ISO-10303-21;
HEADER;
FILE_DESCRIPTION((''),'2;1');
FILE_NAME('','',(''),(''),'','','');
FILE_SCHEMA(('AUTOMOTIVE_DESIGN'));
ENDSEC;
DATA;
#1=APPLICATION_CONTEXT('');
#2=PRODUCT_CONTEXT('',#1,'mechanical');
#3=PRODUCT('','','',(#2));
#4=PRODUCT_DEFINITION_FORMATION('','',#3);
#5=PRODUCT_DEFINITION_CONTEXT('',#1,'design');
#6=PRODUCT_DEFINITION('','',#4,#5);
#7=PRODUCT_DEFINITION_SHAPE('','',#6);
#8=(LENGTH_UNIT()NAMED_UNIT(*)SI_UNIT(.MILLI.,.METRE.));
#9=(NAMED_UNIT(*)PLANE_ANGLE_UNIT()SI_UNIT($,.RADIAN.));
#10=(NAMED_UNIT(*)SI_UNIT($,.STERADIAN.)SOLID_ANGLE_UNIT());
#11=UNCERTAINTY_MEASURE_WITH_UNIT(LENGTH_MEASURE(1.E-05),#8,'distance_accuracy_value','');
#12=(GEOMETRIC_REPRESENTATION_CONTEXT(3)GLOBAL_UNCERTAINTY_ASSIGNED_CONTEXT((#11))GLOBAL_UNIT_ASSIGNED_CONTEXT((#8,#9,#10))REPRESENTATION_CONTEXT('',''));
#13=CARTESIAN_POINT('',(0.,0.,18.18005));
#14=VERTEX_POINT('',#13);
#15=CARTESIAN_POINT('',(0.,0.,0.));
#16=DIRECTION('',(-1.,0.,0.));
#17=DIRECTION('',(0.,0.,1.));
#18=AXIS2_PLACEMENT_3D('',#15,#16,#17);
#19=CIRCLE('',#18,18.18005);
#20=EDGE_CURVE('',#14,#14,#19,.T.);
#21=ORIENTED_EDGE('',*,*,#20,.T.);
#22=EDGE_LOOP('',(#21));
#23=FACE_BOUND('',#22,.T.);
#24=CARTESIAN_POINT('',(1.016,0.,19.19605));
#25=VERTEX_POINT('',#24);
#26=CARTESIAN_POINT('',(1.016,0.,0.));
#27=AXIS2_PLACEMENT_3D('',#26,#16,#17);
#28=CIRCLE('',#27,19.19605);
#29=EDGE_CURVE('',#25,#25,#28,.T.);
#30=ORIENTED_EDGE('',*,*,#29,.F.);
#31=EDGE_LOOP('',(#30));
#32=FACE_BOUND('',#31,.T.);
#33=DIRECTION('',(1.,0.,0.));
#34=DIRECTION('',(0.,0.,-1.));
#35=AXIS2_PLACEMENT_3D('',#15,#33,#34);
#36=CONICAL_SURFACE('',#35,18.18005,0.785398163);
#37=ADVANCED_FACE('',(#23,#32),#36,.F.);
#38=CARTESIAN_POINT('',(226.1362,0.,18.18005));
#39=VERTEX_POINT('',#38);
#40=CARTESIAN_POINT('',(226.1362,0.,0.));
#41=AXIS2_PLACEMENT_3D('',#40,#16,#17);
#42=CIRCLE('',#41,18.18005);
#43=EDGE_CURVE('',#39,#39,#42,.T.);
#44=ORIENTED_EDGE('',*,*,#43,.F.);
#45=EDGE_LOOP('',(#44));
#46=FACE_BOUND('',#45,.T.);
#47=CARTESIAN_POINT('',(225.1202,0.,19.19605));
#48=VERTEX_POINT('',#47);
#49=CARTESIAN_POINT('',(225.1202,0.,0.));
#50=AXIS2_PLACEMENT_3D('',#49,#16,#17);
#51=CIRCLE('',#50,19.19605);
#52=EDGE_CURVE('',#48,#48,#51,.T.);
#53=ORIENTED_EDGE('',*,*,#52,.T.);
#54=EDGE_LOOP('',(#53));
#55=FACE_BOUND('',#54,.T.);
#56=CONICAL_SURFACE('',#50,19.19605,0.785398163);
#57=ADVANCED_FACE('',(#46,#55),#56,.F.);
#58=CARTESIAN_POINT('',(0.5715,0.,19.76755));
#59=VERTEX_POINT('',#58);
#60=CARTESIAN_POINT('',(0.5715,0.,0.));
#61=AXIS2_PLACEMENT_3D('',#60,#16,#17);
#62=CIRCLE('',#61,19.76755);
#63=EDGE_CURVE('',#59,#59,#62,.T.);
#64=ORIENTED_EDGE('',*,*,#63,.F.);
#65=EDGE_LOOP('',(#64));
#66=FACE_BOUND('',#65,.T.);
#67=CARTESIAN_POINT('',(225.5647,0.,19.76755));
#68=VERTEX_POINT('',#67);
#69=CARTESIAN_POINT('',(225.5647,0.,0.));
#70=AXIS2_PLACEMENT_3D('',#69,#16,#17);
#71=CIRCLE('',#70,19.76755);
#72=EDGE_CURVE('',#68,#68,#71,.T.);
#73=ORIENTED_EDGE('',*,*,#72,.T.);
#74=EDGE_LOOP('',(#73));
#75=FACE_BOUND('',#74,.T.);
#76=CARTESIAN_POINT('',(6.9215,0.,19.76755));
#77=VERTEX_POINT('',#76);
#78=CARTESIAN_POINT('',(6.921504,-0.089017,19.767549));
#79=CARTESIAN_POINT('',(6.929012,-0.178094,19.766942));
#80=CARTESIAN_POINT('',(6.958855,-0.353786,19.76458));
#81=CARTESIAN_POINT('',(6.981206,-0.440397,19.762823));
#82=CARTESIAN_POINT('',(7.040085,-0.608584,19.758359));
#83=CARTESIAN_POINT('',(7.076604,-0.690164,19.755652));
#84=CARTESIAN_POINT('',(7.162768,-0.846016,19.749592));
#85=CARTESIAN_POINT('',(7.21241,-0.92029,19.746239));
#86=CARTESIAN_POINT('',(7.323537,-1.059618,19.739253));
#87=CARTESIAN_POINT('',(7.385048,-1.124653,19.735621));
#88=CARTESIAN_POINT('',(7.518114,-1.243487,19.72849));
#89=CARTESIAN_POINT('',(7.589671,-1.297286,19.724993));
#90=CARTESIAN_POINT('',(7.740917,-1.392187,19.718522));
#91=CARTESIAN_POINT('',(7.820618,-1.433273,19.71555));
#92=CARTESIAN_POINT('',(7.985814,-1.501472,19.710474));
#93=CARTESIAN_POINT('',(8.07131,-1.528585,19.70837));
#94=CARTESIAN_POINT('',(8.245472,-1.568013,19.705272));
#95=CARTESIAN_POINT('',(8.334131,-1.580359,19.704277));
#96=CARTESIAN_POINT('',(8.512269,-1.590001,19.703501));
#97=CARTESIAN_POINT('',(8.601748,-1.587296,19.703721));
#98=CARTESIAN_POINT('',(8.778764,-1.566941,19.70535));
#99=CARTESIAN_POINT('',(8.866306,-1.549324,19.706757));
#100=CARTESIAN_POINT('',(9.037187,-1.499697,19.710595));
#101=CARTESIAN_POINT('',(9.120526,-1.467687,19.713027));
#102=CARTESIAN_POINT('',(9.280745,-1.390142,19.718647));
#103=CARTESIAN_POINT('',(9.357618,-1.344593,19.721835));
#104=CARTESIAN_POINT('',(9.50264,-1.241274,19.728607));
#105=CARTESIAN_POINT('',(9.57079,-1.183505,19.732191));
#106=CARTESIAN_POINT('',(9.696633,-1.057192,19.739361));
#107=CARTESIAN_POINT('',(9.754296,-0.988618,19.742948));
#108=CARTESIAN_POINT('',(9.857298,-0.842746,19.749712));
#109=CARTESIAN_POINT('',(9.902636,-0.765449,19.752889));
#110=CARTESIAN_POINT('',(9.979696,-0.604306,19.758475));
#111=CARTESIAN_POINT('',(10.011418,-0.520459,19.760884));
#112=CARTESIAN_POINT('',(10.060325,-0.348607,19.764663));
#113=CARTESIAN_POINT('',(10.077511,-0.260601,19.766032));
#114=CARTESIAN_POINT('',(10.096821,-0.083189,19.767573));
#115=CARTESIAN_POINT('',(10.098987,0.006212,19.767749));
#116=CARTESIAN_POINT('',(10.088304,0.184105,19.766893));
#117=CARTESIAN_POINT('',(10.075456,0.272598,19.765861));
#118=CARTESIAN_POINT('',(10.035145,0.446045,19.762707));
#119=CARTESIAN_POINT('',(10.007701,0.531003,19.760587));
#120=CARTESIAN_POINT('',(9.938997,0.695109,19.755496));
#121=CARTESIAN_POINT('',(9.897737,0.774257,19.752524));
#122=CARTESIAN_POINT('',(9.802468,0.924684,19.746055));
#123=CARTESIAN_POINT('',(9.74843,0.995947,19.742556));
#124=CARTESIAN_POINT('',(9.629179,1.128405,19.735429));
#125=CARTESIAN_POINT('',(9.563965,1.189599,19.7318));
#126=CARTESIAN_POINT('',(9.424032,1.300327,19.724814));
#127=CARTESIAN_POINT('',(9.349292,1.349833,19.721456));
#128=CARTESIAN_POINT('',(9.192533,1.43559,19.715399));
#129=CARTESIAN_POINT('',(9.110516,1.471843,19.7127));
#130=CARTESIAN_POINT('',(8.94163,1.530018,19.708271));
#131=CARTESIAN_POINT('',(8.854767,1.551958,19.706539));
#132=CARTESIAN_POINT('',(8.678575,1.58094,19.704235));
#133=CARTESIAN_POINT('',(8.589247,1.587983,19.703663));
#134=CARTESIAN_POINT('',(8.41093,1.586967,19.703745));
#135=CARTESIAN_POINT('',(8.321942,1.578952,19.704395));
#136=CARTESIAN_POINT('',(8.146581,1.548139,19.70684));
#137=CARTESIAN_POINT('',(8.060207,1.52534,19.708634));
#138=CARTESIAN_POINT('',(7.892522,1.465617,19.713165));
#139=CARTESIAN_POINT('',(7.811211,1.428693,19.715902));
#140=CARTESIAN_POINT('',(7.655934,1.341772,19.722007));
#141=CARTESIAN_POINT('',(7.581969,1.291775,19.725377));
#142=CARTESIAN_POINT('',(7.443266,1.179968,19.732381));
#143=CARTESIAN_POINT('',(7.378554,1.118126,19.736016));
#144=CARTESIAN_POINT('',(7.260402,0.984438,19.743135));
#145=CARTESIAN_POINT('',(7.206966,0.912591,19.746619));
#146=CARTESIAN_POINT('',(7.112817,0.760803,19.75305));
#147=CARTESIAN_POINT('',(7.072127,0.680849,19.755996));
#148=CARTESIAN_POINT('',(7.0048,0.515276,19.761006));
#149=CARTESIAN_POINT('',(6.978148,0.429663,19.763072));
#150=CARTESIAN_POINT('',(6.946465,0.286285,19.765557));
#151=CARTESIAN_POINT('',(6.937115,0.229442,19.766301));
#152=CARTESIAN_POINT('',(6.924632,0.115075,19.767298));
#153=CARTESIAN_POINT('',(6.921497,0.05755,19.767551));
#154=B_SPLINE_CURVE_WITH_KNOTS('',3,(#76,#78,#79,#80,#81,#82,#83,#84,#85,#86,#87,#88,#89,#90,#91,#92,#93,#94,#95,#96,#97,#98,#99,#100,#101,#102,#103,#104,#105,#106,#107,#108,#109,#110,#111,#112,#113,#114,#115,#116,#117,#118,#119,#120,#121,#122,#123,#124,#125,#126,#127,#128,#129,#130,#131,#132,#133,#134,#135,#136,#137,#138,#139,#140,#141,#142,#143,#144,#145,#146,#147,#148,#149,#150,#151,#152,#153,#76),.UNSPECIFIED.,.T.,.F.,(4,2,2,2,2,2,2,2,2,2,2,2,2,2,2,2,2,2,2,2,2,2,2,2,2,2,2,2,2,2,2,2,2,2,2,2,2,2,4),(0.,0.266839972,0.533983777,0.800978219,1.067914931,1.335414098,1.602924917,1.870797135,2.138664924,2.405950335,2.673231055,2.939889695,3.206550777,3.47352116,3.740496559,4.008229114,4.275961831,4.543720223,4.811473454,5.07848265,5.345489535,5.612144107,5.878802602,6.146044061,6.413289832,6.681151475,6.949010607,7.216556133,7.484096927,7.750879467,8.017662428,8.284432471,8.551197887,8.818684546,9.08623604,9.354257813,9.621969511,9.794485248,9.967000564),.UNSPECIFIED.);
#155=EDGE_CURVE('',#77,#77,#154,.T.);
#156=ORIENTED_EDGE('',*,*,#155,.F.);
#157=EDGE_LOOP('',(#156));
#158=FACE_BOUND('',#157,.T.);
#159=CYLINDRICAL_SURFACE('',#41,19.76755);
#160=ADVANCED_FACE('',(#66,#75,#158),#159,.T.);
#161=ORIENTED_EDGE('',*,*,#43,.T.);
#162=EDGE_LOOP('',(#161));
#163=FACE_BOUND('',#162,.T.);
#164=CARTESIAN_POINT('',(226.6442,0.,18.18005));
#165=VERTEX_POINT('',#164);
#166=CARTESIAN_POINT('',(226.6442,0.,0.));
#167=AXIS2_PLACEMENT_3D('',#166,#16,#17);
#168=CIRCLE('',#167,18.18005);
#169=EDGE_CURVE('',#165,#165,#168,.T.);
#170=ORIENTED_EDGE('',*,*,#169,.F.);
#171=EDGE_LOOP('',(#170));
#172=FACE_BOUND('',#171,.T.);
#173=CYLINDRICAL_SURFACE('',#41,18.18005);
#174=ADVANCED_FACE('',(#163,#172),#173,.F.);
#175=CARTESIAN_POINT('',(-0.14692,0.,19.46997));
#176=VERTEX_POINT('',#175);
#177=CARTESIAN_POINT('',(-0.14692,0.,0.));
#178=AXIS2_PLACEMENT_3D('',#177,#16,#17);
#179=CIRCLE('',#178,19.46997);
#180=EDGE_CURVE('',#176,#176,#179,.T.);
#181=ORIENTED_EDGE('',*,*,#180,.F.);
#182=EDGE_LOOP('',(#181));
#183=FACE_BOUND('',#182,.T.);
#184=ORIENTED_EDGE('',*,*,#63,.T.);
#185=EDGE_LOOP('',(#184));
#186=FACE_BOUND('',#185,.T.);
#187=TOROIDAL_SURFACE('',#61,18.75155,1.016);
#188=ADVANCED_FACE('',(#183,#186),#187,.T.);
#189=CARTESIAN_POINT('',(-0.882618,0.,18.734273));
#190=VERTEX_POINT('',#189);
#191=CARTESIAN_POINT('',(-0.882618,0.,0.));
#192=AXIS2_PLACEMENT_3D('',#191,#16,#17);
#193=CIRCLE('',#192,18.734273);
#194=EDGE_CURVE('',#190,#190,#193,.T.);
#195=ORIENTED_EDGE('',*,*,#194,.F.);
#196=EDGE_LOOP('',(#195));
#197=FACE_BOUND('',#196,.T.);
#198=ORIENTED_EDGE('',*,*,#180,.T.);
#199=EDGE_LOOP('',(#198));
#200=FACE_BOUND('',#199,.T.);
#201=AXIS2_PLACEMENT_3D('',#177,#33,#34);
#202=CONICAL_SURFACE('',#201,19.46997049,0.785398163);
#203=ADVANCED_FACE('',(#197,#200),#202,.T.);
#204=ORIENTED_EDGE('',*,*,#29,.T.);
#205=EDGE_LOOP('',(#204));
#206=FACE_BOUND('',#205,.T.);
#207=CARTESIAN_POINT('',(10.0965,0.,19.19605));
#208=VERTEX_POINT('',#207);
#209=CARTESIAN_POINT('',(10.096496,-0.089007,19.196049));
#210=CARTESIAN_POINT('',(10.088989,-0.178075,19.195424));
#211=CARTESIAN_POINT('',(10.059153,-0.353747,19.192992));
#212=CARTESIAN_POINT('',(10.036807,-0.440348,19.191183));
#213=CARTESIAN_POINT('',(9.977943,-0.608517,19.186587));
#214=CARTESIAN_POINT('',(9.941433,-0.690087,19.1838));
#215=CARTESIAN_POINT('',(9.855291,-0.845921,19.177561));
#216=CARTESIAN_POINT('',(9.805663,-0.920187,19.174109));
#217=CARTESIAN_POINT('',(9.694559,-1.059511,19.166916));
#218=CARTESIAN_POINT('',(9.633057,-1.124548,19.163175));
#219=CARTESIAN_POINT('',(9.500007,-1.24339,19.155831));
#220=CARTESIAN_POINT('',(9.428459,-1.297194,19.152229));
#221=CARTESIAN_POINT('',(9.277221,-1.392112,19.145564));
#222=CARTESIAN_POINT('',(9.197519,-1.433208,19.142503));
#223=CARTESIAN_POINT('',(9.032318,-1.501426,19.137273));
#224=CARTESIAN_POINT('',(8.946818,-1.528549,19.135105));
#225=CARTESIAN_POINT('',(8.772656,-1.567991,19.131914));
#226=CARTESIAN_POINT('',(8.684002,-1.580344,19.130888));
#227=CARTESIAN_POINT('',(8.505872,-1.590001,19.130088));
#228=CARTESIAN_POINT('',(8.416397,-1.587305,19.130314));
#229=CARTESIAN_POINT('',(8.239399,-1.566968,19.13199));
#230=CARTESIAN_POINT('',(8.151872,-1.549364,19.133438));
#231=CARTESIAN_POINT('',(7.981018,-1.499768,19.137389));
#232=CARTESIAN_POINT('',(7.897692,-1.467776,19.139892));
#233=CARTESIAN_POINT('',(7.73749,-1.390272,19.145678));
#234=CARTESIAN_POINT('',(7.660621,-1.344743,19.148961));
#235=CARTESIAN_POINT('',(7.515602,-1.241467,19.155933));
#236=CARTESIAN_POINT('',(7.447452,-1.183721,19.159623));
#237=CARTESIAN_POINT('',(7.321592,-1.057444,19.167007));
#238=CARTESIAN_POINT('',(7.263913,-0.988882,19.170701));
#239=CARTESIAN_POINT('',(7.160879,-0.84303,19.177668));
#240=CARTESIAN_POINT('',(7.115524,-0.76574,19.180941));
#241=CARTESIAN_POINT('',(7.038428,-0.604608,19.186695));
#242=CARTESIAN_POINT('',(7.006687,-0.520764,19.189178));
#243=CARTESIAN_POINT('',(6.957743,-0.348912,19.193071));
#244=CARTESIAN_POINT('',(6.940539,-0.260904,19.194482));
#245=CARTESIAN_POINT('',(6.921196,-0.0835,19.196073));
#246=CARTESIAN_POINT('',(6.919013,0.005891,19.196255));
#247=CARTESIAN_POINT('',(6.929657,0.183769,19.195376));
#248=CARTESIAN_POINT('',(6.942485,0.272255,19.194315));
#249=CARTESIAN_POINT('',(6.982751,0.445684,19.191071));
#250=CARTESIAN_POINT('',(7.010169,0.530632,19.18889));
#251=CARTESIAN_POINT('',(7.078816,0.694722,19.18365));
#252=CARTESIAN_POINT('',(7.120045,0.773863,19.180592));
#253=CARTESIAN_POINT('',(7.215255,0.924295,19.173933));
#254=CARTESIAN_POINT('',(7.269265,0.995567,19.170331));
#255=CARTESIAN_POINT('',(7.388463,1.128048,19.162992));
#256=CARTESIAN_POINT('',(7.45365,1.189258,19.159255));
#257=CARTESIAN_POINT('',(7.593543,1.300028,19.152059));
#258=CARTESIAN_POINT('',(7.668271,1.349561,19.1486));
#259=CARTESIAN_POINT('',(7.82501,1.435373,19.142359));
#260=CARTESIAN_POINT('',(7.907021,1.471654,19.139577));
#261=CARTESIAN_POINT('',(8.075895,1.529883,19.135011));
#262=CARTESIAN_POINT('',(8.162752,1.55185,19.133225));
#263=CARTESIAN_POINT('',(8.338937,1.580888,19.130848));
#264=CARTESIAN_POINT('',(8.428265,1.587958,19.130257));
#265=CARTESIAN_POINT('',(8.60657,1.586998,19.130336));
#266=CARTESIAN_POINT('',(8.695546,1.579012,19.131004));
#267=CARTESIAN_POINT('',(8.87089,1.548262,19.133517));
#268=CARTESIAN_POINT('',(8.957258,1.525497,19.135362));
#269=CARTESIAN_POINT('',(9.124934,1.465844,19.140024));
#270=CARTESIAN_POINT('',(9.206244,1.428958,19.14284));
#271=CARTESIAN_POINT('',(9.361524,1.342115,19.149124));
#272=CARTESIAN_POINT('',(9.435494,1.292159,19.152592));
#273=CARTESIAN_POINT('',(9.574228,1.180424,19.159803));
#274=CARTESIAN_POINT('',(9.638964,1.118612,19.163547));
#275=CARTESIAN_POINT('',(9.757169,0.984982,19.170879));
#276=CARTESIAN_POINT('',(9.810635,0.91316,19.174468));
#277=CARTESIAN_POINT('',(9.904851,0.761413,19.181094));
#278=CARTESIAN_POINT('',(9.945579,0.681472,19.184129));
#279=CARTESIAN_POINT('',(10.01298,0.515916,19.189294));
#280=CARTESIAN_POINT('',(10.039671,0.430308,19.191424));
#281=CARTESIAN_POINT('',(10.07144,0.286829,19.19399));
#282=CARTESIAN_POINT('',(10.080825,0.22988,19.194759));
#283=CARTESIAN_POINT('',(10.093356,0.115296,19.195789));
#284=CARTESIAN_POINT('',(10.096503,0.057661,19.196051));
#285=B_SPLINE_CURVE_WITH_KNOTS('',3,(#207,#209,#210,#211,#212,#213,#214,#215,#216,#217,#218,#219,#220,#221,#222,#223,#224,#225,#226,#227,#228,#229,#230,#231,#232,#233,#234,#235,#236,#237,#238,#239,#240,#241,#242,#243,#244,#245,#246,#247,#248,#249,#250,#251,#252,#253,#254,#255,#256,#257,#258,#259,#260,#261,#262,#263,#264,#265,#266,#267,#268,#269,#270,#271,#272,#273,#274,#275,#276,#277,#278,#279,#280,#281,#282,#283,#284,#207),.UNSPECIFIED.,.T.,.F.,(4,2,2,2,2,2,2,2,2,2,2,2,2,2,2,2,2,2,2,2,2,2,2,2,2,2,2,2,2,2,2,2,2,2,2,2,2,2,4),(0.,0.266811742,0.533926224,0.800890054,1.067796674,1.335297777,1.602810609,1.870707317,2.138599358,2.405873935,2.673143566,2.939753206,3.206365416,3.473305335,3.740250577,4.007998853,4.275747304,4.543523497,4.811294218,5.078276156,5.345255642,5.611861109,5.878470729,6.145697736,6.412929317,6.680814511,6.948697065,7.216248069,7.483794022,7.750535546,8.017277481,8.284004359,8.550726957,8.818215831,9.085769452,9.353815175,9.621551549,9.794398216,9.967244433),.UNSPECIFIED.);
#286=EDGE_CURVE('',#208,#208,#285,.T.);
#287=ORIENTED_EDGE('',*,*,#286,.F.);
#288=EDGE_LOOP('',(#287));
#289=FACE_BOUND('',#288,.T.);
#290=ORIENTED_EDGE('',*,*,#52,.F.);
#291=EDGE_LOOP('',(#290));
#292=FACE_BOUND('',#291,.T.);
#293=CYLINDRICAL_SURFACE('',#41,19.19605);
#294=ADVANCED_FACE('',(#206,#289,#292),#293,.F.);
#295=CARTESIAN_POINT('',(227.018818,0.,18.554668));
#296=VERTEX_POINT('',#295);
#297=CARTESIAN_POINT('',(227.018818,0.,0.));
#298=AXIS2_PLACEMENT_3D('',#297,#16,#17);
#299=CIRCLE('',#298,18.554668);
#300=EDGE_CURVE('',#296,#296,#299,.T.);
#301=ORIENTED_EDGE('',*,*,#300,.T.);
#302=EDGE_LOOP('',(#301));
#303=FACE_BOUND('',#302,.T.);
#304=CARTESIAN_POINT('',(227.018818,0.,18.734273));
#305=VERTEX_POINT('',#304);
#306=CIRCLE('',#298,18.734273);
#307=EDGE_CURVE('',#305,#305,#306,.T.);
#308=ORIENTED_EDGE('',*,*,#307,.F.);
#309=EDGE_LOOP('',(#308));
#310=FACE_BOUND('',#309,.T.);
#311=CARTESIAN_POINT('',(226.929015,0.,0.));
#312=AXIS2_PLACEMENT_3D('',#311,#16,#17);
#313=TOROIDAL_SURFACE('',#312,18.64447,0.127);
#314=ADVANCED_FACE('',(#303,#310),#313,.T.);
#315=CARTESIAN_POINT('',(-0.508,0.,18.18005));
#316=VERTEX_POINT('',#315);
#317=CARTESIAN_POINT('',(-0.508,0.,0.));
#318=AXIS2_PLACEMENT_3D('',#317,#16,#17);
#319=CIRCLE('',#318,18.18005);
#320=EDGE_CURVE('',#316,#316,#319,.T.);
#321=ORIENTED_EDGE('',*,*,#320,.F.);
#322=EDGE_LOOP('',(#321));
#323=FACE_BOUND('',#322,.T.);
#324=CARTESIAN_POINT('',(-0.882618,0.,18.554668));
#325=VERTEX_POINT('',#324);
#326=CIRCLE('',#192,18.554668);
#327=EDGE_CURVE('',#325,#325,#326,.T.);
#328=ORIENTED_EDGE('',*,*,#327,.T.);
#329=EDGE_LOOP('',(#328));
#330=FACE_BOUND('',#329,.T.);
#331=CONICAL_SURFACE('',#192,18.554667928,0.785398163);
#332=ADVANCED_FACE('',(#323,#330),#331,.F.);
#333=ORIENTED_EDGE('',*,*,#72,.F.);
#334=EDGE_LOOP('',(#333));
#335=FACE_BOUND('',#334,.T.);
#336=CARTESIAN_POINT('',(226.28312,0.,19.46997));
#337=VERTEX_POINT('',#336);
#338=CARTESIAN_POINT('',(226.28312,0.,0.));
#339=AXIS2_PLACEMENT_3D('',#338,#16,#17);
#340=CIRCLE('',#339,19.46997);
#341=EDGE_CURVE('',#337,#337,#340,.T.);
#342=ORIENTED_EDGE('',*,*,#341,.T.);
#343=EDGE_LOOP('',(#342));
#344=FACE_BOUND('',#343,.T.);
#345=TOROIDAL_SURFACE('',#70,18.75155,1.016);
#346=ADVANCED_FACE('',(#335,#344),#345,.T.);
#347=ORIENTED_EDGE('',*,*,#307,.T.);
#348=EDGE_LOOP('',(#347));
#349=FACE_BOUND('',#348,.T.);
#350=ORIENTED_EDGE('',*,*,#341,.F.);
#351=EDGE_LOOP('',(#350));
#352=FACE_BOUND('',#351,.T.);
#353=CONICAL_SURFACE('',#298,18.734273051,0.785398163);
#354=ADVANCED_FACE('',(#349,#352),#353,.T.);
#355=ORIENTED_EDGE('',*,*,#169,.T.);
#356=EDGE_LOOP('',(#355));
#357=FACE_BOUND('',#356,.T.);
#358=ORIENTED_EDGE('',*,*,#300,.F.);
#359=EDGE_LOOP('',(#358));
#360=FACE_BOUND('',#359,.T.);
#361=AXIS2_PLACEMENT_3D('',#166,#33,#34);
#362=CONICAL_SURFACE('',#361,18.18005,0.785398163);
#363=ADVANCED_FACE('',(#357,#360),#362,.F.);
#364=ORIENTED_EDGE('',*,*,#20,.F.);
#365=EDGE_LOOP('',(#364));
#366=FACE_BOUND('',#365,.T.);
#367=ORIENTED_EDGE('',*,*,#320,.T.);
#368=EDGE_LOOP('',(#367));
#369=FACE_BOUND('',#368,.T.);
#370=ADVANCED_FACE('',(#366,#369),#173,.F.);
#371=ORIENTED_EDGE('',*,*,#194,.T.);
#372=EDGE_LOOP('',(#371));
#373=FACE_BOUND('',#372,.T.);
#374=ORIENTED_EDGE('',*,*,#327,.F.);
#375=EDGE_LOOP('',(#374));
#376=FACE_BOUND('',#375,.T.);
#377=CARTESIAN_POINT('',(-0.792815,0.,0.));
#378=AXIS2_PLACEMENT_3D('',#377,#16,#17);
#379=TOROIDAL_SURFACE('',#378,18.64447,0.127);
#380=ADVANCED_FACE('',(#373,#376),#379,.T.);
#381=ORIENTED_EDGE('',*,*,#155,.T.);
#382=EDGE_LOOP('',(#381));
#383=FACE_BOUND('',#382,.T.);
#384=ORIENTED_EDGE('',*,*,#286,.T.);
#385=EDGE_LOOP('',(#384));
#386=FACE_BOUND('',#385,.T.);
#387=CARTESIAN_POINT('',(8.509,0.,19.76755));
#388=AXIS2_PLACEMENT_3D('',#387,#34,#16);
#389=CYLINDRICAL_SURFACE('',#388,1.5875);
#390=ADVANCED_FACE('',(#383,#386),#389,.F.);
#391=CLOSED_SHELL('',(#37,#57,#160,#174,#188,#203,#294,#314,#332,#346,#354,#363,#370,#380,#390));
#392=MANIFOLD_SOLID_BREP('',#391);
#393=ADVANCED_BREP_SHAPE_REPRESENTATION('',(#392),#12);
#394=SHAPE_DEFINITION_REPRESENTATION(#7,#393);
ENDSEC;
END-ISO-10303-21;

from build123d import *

# Parameters (mm, degrees)
SKETCH2_R          = 1.5875
CUT_EXTRUDE1_DEPTH = 19.76755


with BuildPart() as part:
    # Sketch1 → Revolve1 (revolve)
    with BuildSketch(Plane.XY):
        with BuildLine():
            Line((-0.882617928, 18.554667928), (-0.508, 18.18005))
            Line((-0.508, 18.18005), (0, 18.18005))
            Line((0, 18.18005), (1.016, 19.19605))
            Line((1.016, 19.19605), (225.1202, 19.19605))
            Line((225.1202, 19.19605), (226.1362, 18.18005))
            Line((226.1362, 18.18005), (226.6442, 18.18005))
            Line((226.6442, 18.18005), (227.018817928, 18.554667928))
            ThreePointArc((227.018817928, 18.554667928), (227.056015367, 18.64447049), (227.018817928, 18.734273051))
            Line((227.018817928, 18.734273051), (226.28312049, 19.46997049))
            ThreePointArc((226.28312049, 19.46997049), (225.953506367, 19.690211605), (225.5647, 19.76755))
            Line((225.5647, 19.76755), (0.5715, 19.76755))
            ThreePointArc((0.5715, 19.76755), (0.182693633, 19.690211605), (-0.14692049, 19.46997049))
            Line((-0.14692049, 19.46997049), (-0.882617928, 18.734273051))
            ThreePointArc((-0.882617928, 18.734273051), (-0.919815367, 18.64447049), (-0.882617928, 18.554667928))
        make_face()
    revolve(axis=Axis((226.1362, 0, 0), (-1, 0, 0)))

    # Sketch2 → Cut-Extrude1 (cut)
    with BuildSketch(Plane.XY):
        with Locations((8.509, 0)):
            Circle(SKETCH2_R)
    extrude(amount=CUT_EXTRUDE1_DEPTH, mode=Mode.SUBTRACT)


solid = part.part
